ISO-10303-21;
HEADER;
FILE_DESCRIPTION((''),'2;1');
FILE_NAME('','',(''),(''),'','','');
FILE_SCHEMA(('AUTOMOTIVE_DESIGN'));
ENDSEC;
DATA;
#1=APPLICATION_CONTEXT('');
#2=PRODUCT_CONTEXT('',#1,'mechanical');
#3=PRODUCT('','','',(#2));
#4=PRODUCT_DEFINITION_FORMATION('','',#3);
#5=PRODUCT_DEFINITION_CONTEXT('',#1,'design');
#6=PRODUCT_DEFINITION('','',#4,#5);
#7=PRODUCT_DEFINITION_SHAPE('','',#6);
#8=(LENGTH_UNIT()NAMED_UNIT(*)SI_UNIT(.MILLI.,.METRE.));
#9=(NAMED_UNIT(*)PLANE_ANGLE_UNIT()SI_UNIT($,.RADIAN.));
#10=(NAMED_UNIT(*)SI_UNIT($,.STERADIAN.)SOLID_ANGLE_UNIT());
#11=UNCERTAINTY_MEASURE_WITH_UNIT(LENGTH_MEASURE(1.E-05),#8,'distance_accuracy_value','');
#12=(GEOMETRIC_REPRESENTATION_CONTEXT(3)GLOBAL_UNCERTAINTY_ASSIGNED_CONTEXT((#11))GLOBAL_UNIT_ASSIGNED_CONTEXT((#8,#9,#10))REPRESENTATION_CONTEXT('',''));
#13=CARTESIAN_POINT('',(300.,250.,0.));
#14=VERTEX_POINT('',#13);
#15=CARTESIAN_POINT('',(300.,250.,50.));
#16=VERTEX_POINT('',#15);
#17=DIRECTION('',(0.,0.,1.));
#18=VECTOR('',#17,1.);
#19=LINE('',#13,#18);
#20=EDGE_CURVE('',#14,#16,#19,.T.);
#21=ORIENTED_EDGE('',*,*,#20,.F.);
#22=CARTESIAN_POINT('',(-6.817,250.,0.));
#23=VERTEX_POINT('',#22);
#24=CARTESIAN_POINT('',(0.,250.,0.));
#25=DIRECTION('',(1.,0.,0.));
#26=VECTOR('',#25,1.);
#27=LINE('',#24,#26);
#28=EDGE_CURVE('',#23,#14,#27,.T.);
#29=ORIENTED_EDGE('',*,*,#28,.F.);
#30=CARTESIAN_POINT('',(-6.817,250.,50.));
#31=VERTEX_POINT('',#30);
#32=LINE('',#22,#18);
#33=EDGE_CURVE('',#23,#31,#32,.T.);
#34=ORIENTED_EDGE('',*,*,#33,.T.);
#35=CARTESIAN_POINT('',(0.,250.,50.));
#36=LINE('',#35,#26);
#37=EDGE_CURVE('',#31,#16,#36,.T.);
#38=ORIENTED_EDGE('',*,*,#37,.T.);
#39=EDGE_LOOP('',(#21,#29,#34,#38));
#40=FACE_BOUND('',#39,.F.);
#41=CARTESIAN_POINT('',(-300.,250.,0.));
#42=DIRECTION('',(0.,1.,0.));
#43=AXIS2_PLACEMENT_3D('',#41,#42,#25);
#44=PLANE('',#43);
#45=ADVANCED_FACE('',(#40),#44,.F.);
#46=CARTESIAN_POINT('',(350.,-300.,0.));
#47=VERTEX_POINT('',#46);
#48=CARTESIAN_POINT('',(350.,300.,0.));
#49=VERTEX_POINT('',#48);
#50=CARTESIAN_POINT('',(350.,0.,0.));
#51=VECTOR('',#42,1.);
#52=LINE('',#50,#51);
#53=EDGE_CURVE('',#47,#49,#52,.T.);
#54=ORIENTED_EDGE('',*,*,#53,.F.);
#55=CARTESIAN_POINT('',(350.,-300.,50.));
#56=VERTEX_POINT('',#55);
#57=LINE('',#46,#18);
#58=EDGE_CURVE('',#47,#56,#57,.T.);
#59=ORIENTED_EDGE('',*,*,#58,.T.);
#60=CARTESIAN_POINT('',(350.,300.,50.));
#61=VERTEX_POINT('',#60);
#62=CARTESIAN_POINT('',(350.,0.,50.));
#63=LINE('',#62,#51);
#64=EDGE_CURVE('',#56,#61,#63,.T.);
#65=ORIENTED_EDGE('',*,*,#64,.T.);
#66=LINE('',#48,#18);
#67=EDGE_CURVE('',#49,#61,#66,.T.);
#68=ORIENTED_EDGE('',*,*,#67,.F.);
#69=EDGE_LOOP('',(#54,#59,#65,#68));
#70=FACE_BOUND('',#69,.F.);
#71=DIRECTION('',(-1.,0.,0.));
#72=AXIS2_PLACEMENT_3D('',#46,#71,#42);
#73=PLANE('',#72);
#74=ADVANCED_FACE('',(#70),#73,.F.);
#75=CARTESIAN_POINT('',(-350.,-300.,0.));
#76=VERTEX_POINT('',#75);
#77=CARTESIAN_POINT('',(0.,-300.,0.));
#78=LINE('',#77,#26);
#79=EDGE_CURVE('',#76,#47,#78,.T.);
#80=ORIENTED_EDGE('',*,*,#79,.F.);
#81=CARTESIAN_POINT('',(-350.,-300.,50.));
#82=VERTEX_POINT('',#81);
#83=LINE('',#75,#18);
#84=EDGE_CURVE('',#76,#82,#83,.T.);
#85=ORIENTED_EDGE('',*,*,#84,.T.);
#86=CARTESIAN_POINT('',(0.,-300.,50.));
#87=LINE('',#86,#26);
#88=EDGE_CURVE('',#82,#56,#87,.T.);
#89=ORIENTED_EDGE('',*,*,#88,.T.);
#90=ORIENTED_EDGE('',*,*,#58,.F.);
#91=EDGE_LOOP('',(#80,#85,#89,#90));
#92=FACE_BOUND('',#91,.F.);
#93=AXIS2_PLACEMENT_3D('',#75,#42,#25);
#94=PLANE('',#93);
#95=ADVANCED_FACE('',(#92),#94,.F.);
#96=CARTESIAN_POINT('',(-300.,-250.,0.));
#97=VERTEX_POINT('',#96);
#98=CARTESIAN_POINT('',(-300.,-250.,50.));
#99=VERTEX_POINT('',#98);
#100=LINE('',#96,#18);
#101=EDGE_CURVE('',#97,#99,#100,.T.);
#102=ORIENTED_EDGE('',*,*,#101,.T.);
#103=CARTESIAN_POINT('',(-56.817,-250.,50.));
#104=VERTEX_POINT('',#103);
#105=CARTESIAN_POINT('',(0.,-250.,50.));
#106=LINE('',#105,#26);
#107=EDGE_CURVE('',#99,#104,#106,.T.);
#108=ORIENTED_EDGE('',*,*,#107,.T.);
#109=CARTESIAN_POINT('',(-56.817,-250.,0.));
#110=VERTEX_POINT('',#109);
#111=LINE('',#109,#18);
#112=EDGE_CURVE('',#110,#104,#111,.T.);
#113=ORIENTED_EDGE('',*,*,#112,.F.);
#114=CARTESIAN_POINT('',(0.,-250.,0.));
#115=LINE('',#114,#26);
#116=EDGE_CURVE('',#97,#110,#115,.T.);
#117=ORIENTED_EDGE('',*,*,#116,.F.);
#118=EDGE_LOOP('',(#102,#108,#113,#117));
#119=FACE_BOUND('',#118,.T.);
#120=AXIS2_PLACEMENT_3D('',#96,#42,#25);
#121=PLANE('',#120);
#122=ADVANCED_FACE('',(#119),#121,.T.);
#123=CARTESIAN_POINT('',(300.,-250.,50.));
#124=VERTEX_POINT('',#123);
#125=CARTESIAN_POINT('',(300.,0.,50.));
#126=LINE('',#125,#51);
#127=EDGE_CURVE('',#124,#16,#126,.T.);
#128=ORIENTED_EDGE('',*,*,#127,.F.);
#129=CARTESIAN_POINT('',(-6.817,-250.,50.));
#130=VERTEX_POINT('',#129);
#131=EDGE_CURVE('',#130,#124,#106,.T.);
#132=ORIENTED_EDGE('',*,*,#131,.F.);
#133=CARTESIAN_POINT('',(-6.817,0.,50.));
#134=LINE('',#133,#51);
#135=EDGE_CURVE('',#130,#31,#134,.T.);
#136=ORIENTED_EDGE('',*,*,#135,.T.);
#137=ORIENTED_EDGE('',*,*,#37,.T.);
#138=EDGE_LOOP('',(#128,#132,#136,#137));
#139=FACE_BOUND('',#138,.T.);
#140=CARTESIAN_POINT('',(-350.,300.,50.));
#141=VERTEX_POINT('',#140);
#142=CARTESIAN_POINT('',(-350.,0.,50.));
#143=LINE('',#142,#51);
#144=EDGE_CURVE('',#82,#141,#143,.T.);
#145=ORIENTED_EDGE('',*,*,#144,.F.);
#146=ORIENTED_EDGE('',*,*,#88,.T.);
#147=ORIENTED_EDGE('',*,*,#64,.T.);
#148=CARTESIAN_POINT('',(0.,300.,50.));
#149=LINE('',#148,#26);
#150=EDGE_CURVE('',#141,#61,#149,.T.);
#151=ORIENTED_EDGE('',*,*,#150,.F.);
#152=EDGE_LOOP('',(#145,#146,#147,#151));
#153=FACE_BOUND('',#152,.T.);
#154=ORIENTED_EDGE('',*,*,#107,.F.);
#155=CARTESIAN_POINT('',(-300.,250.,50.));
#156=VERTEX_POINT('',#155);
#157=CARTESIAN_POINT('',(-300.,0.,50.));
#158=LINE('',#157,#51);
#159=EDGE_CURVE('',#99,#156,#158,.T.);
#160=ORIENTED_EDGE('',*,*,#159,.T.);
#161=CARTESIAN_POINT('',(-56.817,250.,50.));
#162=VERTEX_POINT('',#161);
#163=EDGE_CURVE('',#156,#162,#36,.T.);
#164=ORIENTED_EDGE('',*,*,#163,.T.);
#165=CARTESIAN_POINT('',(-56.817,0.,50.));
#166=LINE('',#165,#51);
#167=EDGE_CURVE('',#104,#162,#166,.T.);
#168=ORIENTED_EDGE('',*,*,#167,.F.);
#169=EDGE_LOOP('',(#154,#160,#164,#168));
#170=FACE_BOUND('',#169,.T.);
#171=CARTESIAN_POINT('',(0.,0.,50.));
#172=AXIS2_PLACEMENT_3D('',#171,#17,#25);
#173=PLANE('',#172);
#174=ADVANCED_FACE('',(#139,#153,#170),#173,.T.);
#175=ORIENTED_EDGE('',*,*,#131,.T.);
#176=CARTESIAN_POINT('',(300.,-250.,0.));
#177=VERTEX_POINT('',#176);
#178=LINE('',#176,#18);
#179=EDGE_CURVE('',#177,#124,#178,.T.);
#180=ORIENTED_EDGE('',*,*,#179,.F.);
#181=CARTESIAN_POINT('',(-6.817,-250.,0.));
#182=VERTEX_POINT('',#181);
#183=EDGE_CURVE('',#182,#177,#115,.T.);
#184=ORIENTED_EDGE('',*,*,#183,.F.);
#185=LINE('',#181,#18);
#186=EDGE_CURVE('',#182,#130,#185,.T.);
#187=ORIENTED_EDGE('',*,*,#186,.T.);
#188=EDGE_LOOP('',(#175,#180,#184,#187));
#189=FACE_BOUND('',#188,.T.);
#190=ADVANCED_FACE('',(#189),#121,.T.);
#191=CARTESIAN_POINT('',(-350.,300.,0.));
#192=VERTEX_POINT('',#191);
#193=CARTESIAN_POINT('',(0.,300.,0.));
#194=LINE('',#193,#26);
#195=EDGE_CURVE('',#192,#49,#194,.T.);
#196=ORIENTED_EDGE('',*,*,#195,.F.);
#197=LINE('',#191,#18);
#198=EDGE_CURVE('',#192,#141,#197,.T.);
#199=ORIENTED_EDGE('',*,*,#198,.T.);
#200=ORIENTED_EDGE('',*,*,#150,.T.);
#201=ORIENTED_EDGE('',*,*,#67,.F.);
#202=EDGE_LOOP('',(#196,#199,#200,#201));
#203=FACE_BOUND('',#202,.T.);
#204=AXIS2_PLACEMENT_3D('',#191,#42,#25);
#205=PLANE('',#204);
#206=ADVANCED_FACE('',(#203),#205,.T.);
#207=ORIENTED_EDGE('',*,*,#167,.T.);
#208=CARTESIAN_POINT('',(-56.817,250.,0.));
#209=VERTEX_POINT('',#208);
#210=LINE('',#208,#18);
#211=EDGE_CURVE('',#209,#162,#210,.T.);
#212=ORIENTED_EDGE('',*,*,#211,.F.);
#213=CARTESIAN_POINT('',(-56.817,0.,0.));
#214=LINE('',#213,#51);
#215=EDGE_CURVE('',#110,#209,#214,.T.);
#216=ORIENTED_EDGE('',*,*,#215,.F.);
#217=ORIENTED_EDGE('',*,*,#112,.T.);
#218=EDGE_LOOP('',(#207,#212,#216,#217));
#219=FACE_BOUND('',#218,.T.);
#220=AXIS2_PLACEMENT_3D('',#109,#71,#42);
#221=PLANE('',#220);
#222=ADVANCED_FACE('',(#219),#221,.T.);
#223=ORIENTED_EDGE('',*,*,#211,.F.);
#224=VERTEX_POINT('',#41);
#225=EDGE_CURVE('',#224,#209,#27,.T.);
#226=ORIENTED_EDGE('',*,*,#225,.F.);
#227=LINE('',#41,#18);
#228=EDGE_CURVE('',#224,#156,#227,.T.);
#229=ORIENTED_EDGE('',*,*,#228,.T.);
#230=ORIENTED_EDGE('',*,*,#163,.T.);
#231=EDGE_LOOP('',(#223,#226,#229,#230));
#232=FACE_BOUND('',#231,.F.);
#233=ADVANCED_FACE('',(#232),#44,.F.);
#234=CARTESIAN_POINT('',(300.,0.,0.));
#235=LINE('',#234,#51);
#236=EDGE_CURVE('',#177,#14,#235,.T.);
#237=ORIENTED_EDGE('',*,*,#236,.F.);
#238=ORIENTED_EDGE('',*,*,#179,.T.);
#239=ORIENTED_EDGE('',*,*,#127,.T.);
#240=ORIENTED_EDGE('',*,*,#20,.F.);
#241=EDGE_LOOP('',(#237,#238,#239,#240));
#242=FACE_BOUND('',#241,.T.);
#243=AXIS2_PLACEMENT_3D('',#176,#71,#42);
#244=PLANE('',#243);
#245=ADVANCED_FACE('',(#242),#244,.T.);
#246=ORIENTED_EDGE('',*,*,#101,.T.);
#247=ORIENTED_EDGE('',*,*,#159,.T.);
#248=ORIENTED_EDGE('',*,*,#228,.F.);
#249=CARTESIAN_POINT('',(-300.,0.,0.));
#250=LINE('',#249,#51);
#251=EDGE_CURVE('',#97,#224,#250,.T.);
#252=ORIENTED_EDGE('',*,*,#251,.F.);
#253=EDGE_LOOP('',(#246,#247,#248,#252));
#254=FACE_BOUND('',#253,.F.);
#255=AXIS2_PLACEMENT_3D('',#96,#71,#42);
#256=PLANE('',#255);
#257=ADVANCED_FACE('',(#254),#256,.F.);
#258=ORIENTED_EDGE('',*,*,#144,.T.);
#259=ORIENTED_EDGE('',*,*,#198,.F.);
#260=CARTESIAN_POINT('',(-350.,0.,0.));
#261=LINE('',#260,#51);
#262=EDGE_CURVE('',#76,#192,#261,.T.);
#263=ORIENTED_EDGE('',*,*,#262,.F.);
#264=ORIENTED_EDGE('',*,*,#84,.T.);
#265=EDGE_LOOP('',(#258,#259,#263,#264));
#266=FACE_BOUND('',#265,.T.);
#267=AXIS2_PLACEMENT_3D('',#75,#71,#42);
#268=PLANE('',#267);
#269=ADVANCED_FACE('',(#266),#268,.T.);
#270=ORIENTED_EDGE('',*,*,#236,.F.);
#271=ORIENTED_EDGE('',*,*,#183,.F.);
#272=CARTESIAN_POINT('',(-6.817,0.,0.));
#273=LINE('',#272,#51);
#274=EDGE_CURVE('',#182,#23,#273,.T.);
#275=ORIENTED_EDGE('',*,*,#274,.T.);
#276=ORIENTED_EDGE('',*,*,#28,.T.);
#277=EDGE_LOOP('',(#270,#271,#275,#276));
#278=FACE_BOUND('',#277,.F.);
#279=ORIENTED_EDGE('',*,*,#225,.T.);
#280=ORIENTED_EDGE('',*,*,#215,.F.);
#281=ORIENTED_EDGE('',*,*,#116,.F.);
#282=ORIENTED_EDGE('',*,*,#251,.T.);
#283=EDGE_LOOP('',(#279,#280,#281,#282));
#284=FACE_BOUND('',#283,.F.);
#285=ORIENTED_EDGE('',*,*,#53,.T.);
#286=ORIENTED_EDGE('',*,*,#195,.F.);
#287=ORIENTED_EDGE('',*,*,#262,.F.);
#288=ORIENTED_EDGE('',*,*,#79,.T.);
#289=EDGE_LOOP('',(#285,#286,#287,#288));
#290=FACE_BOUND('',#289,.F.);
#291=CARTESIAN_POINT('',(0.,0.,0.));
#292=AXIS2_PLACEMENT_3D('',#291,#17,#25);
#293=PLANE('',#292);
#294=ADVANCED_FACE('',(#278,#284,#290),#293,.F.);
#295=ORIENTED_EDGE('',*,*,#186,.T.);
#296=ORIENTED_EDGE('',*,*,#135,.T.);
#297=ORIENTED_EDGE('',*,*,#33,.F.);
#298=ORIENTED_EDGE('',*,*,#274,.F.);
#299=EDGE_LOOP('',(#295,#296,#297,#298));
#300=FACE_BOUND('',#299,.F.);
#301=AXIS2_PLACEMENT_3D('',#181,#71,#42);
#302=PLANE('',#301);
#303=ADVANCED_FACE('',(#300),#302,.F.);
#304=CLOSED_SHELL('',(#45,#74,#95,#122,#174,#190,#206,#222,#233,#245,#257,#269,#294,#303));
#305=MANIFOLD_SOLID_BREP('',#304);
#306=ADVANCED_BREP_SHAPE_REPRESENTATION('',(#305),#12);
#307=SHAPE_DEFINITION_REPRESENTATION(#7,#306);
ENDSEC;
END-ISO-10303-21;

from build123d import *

# Parameters (mm, degrees)
F0_W     = 700
F0_H     = 600
F0_W_2   = 600
F0_H_2   = 500
F1_DEPTH = 50
F2_W     = 50
F2_H     = 500
F3_DEPTH = 50


with BuildPart() as f1:
    # F0 (on Top) → F1 (new body)
    with BuildSketch(Plane.XY):
        Rectangle(F0_W, F0_H)
        Rectangle(F0_W_2, F0_H_2, mode=Mode.SUBTRACT)
    extrude(amount=F1_DEPTH)

    # F2 (on Top) → F3 (join)
    with BuildSketch(Plane.XY):
        with Locations((-31.817, 0)):
            Rectangle(F2_W, F2_H)
    extrude(amount=F3_DEPTH)


solid = f1.part
